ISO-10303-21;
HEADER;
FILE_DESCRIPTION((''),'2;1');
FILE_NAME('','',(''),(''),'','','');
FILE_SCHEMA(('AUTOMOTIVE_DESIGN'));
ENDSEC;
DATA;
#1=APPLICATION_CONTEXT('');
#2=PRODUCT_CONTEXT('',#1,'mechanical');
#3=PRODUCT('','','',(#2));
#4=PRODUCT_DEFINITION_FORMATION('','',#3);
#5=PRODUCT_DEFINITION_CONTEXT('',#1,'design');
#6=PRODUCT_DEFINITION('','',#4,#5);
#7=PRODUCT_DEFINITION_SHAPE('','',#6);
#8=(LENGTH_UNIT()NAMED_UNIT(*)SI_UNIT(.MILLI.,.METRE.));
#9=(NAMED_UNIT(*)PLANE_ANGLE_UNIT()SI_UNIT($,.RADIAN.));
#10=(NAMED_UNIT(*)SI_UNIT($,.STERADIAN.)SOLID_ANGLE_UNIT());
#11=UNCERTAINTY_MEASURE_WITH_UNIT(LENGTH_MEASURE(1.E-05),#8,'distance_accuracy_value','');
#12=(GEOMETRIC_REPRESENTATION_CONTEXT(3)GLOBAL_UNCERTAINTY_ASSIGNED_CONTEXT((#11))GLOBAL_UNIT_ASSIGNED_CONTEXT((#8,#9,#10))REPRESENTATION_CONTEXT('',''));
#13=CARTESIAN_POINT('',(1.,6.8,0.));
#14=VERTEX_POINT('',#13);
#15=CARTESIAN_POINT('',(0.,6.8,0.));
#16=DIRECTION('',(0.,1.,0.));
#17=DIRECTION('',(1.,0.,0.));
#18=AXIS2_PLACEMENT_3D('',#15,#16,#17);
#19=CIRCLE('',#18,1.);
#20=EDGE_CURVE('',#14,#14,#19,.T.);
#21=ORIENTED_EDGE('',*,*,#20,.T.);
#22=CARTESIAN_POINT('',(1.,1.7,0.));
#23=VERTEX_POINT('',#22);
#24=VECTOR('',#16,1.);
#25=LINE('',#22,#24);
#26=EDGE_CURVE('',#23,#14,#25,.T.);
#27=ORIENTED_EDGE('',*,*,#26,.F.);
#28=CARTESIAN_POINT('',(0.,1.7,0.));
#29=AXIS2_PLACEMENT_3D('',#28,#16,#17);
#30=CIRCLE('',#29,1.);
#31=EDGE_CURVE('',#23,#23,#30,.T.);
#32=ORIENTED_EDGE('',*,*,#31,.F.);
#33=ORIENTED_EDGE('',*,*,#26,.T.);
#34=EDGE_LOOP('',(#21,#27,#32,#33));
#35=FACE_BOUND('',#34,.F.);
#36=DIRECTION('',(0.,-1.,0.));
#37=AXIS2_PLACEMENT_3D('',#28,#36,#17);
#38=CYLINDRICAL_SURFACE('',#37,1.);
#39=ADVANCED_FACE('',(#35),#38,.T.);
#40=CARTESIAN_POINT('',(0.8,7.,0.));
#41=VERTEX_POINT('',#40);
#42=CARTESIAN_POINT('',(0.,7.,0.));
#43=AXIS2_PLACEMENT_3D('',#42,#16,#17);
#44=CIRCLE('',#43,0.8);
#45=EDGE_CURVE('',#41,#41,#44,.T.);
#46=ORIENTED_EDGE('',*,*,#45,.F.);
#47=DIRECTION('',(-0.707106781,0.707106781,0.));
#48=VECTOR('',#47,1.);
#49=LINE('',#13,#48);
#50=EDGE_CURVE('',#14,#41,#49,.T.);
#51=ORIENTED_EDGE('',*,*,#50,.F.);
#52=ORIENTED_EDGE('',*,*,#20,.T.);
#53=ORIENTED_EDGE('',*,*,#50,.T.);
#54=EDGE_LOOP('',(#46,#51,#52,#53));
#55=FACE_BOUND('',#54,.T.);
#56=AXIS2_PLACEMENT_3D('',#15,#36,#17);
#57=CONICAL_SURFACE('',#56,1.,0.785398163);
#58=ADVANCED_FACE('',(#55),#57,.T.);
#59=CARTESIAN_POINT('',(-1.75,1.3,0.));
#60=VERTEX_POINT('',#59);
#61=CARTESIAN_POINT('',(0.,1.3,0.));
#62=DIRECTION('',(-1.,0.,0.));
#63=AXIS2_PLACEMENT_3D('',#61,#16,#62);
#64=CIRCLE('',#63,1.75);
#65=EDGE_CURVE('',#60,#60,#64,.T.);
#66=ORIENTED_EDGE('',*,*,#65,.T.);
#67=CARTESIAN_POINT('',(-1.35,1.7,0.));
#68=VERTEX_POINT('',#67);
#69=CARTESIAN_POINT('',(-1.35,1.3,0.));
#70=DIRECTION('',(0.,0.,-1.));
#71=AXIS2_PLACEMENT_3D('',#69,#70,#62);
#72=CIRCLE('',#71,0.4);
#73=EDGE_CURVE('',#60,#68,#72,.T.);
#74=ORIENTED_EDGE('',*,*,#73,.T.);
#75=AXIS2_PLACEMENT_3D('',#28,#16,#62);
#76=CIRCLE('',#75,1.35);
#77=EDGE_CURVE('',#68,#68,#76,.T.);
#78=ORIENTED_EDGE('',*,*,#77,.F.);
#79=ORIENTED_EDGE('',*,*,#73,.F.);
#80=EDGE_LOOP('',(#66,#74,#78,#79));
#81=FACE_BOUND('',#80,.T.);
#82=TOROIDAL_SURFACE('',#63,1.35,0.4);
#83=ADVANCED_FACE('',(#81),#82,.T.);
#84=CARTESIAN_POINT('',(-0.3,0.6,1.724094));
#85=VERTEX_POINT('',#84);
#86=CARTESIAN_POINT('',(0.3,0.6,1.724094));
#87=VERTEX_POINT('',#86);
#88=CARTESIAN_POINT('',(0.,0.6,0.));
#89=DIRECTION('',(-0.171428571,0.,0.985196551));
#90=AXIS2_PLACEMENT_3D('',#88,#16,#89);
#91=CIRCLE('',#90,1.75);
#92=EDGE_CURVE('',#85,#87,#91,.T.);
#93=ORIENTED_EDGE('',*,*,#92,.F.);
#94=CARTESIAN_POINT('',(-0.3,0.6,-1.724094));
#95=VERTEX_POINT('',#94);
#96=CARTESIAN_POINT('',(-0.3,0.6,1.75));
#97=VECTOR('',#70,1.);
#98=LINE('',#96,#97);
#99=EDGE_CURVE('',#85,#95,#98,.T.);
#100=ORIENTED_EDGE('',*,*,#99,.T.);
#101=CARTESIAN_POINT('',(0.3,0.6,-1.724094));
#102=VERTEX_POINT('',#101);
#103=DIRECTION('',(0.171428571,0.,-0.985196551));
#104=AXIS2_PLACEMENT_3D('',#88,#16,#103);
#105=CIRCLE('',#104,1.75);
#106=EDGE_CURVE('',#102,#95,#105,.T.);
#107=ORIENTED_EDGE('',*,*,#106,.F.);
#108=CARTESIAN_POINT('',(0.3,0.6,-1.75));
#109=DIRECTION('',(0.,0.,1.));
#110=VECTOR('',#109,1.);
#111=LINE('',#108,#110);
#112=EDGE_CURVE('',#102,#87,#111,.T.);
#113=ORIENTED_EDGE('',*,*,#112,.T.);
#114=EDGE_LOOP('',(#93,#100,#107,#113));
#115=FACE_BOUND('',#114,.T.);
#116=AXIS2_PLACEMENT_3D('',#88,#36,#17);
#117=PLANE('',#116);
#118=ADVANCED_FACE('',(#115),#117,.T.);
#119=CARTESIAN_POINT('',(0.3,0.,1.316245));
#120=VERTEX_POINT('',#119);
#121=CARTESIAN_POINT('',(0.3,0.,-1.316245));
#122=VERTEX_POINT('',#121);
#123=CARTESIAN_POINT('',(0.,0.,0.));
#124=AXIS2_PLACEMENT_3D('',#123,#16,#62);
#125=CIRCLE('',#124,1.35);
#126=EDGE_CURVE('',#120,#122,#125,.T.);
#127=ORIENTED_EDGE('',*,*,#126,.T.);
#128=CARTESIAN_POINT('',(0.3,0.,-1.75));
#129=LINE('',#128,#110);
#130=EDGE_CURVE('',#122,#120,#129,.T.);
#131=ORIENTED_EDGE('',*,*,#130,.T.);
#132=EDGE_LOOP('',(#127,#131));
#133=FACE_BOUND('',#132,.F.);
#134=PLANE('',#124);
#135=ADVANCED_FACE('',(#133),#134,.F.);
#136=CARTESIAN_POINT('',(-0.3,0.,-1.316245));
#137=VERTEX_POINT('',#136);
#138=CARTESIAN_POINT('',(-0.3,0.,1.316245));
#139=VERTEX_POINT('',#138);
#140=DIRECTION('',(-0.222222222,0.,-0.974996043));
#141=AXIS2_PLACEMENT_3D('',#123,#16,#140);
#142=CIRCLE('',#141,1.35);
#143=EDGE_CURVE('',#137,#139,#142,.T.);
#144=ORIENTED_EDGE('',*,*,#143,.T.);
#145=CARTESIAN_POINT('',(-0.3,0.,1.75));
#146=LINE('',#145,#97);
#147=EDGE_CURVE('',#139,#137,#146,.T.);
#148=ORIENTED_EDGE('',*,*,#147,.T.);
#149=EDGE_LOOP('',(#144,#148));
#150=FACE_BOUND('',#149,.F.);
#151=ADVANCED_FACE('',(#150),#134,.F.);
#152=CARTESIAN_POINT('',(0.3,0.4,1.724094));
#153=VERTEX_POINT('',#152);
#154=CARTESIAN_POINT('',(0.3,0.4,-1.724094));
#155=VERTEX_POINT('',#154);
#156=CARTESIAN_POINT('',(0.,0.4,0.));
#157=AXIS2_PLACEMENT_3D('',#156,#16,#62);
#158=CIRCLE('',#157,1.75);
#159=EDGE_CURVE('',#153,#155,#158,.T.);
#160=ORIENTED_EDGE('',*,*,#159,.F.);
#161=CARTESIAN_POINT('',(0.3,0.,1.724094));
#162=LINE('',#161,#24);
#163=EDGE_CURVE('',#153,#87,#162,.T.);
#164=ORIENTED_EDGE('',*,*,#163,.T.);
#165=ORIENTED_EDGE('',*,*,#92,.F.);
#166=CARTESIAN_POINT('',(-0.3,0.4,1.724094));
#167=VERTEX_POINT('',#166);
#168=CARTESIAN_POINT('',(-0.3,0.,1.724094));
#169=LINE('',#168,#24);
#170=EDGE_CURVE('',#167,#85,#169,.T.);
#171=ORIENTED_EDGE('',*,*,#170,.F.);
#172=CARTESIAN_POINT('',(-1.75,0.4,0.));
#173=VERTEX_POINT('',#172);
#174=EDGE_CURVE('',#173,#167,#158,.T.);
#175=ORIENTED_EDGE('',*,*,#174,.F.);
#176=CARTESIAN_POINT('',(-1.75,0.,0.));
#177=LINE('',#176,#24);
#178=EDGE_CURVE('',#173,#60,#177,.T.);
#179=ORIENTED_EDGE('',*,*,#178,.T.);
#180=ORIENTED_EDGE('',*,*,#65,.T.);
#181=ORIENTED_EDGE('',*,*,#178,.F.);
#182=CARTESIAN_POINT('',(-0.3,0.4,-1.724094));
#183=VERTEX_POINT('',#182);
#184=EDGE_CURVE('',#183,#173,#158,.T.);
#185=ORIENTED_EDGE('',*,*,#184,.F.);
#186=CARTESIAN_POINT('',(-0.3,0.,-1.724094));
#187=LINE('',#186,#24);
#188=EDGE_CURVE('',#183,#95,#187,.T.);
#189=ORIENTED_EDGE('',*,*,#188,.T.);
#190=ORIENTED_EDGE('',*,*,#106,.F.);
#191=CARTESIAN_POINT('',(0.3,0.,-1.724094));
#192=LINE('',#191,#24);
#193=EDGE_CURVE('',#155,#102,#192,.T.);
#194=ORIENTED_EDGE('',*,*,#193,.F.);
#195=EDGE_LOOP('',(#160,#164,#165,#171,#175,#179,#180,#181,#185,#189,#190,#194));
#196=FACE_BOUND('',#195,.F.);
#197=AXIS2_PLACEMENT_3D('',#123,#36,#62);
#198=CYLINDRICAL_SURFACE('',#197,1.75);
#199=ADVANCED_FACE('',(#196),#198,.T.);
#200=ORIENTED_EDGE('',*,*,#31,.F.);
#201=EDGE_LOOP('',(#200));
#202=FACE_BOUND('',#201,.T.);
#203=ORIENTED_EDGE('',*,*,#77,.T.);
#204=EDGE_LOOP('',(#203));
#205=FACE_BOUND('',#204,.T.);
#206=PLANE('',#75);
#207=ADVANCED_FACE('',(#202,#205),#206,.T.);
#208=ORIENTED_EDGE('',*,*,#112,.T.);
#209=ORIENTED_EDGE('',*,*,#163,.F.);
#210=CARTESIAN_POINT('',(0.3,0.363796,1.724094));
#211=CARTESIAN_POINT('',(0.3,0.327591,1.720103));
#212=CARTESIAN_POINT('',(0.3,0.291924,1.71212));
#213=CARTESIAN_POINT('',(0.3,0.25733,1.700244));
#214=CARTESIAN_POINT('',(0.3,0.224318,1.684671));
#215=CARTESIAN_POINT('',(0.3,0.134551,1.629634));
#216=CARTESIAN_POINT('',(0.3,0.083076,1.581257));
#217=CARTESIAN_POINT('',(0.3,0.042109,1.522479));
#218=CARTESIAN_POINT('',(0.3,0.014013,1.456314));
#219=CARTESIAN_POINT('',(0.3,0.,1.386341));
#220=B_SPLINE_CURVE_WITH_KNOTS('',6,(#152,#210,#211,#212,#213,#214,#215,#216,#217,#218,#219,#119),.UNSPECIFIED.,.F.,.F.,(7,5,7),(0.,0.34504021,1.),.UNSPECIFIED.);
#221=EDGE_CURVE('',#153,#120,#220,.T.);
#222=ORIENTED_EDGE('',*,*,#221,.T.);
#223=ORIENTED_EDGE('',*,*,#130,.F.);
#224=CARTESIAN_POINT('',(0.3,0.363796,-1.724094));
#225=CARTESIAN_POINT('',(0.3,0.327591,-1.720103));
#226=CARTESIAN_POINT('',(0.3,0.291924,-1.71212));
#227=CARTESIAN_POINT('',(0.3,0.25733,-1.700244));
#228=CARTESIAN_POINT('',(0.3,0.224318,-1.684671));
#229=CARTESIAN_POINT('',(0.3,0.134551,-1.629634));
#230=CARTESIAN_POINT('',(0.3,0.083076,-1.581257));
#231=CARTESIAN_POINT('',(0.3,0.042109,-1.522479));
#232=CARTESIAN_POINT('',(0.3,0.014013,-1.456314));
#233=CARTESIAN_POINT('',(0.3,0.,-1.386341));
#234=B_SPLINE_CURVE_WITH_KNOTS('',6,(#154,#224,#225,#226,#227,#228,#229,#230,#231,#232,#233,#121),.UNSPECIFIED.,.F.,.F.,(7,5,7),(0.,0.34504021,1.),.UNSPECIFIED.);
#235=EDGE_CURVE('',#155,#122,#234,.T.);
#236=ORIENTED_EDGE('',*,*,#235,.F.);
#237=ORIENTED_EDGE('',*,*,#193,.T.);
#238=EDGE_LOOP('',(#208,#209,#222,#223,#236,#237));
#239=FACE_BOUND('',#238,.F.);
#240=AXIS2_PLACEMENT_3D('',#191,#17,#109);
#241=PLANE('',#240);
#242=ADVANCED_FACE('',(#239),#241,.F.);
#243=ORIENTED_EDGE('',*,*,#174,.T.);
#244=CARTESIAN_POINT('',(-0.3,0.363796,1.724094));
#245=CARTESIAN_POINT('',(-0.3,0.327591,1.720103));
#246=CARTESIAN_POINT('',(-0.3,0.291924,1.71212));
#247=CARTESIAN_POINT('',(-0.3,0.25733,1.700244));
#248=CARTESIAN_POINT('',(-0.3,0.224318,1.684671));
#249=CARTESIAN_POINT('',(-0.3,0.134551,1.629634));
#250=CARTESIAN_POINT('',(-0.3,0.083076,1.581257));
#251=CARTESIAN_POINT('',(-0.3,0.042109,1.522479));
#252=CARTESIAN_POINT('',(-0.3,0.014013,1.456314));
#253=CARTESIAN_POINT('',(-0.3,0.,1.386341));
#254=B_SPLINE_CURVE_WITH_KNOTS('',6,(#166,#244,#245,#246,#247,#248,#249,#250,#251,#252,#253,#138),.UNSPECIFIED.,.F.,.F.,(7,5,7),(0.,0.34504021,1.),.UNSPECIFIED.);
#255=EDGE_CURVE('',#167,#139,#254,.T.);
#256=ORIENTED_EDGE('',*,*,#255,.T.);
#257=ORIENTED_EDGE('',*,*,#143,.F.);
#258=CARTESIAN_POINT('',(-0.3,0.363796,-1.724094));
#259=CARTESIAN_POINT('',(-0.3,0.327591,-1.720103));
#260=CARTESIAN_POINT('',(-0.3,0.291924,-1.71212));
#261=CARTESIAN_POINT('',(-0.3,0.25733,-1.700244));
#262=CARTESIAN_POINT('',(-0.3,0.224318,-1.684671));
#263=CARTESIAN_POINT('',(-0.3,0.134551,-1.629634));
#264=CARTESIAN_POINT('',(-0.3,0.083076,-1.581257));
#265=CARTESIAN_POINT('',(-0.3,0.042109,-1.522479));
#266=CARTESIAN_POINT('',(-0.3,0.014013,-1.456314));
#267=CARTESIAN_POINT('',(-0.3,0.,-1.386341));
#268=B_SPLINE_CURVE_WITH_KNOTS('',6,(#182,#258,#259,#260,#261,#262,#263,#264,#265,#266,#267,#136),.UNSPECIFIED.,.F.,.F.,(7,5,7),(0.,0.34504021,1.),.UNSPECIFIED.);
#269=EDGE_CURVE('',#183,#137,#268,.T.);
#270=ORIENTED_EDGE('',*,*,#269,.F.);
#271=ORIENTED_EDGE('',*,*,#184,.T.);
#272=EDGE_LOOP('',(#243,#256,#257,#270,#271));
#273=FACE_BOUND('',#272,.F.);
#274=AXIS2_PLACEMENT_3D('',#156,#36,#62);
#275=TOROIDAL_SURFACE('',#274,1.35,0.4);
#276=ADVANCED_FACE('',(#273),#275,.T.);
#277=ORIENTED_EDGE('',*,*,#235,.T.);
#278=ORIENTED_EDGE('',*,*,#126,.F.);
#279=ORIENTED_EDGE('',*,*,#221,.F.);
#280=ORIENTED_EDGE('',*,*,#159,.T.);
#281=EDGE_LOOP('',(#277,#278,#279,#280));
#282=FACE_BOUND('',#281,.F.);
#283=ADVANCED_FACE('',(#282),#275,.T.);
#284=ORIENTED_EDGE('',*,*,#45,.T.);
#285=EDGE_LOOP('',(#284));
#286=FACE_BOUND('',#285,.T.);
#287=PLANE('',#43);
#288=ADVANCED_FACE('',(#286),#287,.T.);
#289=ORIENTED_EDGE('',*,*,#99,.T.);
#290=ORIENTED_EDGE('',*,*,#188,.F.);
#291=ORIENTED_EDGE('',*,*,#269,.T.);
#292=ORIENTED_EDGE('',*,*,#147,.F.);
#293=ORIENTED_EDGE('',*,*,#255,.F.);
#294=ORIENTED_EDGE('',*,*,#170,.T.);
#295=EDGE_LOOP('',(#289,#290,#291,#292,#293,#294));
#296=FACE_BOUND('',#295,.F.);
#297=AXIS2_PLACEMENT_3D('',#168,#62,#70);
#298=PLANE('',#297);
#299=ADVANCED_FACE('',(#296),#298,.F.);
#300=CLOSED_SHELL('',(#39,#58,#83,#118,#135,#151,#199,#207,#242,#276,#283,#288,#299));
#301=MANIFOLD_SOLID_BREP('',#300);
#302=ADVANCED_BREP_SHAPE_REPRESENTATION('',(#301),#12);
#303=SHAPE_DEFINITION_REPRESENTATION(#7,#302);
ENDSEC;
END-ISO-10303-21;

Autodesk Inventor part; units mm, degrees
ref_plane "YZ Plane" through (0, 0, 0) normal (1, 0, 0) x (0, 1, 0)
ref_plane "XZ Plane" through (0, 0, 0) normal (0, 1, 0) x (-1, 0, 0)
ref_plane "XY Plane" through (0, 0, 0) normal (0, 0, 1) x (1, 0, 0)
sketch "Sketch1" plane through (0, 0, 0) normal (0, 1, 0) x (-1, 0, 0)
  circle A0 centre (0, 0) radius 1.75
  dimension "d0" = 3.5
extrude "Extrusion1" add sketch "Sketch1" along normal blind 1.7
sketch "Sketch2" plane through (0, 1.7, 0) normal (0, 1, 0) x (1, 0, 0)
  circle A0 centre (0, 0) radius 1
  dimension "d3" = 2
extrude "Extrusion2" add sketch "Sketch2" along normal blind 5.3
thread "Thread1" size "M2.5x0.45" class "6g" standard "ANSI Metric M Profile" full length
fillet "Fillet1" radius 0.4 2 edges at (1.75, 1.7, 0) (1.75, 0, 0)
sketch "Sketch3" plane through (0, 0, 0) normal (0, -1, 0) x (1, 0, 0)
  line L0 (-0.3, -1.75) -> (0.3, -1.75)
  line L1 (0.3, -1.75) -> (0.3, 1.75)
  line L2 (0.3, 1.75) -> (-0.3, 1.75)
  line L3 (-0.3, 1.75) -> (-0.3, -1.75)
  line L4 (-0.3, -1.75) -> (0.3, 1.75) construction
  line L5 (0.3, -1.75) -> (-0.3, 1.75) construction
  circle A0 centre (0, 0) radius 1.75 projected
  point P0 (0.3, -1.7241)
  point P1 (0.3, 1.7241)
  point P2 (-0.3, 1.7241)
  point P3 (-0.3, -1.7241)
  dimension "d9" = 0.6
extrude "Extrusion3" cut sketch "Sketch3" against normal blind 0.6 contours A0 L3 L1
chamfer "Chamfer1" distance 0.2 angle 45 1 edges at (-1, 7, 0)
properties part number "connector_screw" material "Aluminum 6061-AHC"
